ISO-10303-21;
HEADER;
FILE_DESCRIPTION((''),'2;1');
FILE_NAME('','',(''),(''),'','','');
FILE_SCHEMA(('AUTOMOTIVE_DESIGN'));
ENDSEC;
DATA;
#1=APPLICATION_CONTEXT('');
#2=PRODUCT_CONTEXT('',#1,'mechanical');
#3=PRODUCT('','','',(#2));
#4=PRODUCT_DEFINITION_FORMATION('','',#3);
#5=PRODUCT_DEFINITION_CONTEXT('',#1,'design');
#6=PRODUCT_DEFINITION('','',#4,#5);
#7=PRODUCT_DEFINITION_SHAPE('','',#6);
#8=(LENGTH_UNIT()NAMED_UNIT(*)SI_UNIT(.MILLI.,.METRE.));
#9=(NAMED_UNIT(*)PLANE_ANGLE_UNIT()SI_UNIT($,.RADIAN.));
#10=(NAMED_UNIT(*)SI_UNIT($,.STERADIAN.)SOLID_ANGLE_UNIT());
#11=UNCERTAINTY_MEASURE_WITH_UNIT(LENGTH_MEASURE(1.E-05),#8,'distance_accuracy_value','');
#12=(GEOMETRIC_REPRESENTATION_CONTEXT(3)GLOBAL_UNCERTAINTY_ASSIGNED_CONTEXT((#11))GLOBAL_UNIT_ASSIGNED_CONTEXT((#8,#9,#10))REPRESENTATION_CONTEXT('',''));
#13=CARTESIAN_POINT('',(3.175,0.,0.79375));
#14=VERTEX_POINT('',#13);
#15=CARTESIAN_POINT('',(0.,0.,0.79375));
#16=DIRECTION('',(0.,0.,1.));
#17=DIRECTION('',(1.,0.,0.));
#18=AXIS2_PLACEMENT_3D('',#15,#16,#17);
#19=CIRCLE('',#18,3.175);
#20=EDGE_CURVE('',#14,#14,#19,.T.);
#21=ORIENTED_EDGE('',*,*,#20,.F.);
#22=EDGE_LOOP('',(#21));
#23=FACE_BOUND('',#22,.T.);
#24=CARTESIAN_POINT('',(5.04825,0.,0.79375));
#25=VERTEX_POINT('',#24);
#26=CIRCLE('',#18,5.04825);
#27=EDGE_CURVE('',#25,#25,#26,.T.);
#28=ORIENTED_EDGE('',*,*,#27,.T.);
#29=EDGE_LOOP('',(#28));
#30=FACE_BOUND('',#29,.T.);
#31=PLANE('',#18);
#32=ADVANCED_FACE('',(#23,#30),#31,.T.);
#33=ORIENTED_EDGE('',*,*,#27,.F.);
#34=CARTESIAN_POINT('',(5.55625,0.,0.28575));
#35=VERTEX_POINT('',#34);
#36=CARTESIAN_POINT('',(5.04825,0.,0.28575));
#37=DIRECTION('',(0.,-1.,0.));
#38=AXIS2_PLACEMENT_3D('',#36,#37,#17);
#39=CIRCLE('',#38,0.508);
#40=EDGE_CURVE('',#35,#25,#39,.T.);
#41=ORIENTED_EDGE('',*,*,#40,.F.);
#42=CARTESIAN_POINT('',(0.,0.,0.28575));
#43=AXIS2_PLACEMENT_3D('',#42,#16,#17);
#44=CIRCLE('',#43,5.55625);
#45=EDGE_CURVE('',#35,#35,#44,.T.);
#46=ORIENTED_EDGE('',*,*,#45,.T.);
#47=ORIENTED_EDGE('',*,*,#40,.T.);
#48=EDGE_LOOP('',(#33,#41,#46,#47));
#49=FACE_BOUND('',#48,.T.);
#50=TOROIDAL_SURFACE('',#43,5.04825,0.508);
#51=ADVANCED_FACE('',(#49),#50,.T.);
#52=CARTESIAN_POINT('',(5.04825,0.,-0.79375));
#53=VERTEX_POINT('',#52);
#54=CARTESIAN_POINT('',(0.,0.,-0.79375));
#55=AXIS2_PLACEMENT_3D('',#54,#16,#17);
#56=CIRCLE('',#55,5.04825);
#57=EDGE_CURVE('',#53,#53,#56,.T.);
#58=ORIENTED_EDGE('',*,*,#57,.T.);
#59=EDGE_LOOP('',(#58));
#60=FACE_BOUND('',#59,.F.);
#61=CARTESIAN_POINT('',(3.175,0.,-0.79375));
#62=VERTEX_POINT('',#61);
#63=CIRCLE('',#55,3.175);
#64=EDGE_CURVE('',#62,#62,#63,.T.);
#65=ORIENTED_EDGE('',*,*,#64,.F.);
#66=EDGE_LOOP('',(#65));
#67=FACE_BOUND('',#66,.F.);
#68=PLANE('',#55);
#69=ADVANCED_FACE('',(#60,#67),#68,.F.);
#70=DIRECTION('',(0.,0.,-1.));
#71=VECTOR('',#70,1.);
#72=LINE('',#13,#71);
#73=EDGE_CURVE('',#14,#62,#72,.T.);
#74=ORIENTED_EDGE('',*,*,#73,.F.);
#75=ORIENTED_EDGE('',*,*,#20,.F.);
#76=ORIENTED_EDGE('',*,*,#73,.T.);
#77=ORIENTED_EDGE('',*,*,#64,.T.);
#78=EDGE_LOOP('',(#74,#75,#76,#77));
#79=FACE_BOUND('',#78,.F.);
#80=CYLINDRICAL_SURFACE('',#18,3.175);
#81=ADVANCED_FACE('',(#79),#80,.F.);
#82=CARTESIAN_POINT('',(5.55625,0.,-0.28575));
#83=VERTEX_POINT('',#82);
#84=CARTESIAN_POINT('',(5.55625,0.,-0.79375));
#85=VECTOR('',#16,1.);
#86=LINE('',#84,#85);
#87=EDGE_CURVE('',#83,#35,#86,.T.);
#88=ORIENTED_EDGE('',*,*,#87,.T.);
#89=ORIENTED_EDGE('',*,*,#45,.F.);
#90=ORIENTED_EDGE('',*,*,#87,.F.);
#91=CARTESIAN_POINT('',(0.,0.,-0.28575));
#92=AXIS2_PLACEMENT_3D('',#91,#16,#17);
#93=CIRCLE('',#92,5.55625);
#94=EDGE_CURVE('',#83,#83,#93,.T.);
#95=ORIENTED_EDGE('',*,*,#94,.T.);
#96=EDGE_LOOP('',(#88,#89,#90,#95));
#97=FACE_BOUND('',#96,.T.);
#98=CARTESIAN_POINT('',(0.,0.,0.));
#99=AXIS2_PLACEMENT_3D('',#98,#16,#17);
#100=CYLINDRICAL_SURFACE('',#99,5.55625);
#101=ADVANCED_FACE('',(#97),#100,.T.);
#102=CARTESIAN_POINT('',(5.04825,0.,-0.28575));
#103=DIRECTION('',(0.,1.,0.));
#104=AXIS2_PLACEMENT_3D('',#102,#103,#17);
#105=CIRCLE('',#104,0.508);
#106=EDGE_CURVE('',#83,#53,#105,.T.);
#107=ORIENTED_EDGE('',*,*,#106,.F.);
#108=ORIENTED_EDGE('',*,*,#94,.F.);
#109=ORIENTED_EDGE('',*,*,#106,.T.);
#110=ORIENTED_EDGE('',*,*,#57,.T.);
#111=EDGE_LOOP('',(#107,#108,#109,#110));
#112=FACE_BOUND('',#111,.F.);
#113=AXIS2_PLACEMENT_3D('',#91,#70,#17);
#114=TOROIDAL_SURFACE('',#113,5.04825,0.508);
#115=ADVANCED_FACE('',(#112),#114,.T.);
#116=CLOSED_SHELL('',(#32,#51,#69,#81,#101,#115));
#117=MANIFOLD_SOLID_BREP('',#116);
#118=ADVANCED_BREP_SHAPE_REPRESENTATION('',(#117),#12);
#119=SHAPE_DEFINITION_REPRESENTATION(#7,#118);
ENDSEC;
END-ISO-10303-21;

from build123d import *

# Parameters (mm, degrees)
F0_R     = 5.55625
F1_DEPTH = 0.79375
F2_R     = 3.175
F3_DEPTH = 1.5885
F4_R     = 0.508


with BuildPart() as f1:
    # F0 (on Top) → F1 (new body, symmetric)
    with BuildSketch(Plane.XY):
        Circle(F0_R)
    extrude(amount=F1_DEPTH, both=True)

    # F2 (on face) → F3 (cut, through all)
    with BuildSketch(Plane.XY.offset(0.79375)):
        Circle(F2_R)
    extrude(amount=-F3_DEPTH, mode=Mode.SUBTRACT)

    # F4
    f4_edges = [f1.edges().sort_by_distance(p)[0] for p in [
        (-5.55625, 0, 0.79375),
        (-5.55625, 0, -0.79375),
    ]]
    fillet(f4_edges, radius=F4_R)


solid = f1.part
